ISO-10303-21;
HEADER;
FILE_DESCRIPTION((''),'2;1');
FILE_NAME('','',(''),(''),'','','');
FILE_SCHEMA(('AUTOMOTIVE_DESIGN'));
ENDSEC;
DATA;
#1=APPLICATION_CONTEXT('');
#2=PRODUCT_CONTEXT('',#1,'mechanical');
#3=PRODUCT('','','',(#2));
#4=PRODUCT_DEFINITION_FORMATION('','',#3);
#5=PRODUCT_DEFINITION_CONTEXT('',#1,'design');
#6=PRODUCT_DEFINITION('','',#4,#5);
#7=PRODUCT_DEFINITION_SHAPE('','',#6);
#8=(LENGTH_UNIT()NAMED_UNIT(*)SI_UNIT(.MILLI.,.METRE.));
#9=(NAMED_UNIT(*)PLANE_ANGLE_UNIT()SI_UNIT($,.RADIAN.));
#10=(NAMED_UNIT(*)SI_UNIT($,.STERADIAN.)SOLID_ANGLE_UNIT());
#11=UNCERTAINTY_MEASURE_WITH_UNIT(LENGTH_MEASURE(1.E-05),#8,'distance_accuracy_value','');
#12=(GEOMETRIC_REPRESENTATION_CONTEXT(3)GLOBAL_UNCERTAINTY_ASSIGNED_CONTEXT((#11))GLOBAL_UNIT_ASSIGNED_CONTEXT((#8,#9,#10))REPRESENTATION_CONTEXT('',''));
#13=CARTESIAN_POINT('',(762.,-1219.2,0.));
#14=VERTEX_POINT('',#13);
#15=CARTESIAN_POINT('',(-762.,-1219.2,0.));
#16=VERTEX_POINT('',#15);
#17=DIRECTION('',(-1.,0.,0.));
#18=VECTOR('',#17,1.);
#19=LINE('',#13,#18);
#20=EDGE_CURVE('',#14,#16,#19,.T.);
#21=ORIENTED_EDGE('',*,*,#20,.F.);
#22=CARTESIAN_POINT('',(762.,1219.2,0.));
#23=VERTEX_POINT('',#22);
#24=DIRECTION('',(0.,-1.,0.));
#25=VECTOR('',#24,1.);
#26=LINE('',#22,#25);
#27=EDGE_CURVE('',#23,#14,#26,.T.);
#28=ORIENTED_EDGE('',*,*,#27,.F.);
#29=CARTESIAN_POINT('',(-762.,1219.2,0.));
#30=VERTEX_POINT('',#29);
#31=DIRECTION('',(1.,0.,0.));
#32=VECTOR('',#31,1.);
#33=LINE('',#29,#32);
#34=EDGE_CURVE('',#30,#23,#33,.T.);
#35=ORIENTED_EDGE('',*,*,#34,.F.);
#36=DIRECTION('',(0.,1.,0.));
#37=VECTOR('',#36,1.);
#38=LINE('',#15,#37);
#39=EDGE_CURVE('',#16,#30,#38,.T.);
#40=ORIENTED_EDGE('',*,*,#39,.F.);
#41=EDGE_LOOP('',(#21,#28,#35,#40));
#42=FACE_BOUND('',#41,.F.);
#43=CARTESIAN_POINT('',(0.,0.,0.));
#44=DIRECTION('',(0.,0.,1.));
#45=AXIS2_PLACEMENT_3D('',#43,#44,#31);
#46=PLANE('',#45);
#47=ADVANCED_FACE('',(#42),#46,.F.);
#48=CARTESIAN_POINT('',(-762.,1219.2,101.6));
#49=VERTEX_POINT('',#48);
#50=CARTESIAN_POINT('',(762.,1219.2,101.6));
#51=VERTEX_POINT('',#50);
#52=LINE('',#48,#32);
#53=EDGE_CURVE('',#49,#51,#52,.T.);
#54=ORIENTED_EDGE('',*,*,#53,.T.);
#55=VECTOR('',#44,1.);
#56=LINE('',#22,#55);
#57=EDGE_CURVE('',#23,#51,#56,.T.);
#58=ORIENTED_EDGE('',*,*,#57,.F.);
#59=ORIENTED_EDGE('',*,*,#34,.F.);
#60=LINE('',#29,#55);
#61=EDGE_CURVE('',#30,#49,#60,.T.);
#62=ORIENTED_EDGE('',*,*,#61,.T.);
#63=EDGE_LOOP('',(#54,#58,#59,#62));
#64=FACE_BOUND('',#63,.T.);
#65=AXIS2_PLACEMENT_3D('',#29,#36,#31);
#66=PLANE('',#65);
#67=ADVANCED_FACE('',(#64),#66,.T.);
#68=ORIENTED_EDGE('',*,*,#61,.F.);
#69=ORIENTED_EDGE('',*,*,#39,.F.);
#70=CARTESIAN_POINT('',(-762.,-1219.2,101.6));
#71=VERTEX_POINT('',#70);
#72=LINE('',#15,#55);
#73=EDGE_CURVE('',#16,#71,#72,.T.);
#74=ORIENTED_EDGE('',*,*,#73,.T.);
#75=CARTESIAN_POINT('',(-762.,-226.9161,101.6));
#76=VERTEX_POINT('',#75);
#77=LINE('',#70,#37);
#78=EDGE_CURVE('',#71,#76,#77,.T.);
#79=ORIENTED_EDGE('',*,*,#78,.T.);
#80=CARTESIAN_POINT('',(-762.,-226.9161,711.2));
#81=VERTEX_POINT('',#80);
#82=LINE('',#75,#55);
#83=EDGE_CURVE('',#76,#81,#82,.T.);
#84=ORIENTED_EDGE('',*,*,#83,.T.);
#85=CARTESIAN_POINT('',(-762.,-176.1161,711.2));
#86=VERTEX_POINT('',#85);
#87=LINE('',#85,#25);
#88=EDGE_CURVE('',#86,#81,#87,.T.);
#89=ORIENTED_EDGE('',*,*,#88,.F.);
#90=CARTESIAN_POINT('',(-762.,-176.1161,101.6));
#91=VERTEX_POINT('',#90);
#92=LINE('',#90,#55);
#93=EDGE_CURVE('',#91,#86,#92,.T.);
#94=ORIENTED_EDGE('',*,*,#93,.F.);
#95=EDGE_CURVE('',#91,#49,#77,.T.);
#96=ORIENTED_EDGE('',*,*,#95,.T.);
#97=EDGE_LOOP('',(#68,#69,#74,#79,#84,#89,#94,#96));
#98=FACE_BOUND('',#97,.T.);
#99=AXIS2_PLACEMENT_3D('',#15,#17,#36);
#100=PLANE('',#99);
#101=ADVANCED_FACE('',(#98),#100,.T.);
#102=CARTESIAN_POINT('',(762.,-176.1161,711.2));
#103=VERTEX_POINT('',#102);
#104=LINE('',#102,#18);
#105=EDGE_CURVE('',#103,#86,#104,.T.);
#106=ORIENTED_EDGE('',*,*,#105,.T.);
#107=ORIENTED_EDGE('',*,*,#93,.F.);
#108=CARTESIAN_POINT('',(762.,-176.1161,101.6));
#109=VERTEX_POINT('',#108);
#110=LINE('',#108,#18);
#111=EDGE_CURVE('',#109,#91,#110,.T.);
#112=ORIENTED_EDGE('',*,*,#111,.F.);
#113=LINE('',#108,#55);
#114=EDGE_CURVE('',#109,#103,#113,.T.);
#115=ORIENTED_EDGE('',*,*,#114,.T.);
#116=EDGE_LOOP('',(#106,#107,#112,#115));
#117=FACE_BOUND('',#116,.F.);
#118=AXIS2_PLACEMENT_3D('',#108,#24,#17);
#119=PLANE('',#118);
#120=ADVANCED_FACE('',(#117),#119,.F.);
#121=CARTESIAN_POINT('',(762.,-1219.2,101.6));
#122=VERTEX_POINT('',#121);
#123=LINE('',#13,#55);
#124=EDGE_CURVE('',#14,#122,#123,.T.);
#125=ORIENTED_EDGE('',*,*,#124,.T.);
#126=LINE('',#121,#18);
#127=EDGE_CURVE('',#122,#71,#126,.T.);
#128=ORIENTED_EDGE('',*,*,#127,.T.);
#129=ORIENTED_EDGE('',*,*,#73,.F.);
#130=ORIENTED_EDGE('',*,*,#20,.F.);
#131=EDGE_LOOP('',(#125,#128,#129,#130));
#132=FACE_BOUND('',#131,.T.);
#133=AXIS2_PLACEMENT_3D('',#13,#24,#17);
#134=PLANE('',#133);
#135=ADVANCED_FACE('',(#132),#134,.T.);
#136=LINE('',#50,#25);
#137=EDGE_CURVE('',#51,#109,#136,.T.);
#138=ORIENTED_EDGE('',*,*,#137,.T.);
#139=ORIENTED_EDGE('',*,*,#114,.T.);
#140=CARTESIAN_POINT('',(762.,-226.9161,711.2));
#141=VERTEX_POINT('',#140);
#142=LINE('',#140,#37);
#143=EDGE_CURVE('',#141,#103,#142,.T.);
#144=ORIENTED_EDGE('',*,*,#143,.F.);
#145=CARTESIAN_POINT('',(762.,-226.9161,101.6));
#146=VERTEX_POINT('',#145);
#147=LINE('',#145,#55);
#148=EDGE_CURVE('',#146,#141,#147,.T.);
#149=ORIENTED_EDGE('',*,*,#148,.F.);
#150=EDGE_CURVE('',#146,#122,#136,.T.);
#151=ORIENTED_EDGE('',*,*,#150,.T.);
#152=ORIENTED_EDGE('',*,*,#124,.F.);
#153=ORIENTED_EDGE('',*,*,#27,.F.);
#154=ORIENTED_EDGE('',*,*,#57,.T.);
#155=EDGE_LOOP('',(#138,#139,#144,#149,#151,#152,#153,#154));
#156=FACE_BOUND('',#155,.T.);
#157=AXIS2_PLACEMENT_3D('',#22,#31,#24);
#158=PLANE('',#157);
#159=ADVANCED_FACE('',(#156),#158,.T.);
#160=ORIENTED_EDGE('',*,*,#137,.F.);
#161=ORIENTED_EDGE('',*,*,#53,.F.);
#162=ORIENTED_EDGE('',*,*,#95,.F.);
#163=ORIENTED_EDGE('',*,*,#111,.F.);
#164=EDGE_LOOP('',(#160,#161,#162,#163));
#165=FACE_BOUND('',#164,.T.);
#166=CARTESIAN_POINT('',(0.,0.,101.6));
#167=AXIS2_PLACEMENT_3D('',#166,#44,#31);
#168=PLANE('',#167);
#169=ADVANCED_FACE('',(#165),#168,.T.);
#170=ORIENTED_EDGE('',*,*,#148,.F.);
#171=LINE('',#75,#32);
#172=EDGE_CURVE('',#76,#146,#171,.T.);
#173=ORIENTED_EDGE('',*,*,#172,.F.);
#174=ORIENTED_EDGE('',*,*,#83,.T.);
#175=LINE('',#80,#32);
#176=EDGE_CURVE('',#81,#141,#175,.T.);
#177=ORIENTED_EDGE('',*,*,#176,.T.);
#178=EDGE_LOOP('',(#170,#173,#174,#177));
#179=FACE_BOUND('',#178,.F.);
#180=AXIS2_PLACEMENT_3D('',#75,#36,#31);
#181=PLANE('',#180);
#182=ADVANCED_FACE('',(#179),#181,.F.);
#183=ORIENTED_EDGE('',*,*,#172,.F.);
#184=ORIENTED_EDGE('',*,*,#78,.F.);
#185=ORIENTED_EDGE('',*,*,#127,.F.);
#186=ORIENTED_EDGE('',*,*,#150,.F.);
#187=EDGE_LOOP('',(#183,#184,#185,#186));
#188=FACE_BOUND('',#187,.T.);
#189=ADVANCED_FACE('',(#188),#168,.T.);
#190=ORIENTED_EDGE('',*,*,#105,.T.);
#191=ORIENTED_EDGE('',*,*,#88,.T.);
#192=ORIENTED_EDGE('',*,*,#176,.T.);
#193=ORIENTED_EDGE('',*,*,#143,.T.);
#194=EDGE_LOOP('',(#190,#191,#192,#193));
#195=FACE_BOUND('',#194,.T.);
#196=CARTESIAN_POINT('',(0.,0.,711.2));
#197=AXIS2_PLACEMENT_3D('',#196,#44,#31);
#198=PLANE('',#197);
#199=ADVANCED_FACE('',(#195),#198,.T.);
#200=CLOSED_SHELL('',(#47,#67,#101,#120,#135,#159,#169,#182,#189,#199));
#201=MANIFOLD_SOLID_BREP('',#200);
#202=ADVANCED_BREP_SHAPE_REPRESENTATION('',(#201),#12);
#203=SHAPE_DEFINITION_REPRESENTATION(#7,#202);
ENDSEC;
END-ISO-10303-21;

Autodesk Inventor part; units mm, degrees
ref_plane "YZ Plane" through (0, 0, 0) normal (1, 0, 0) x (0, 1, 0)
ref_plane "XZ Plane" through (0, 0, 0) normal (0, 1, 0) x (-1, 0, 0)
ref_plane "XY Plane" through (0, 0, 0) normal (0, 0, 1) x (1, 0, 0)
sketch "Sketch1" plane through (0, 0, 0) normal (0, 0, 1) x (1, 0, 0)
  line L0 (762, -1219.2) -> (-762, -1219.2)
  line L1 (-762, -1219.2) -> (-762, 1219.2)
  line L2 (-762, 1219.2) -> (762, 1219.2)
  line L3 (762, 1219.2) -> (762, -1219.2)
  line L4 (762, -1219.2) -> (-762, 1219.2) construction
  line L5 (-762, -1219.2) -> (762, 1219.2) construction
  point P0 (0, 0)
  dimension "d0" = 1524
  dimension "d5" = 2438.4
extrude "Extrusion1" add sketch "Sketch1" along normal blind 101.6
sketch "Sketch2" plane through (0, 0, 101.6) normal (0, 0, 1) x (1, 0, 0)
  line L0 (-762, -226.9161) -> (762, -226.9161)
  line L1 (762, -226.9161) -> (762, -176.1161)
  line L2 (762, -176.1161) -> (-762, -176.1161)
  line L3 (-762, -176.1161) -> (-762, -226.9161)
  line L4 (-762, 1219.2) -> (-762, -1219.2) projected
  point P0 (0, 0)
  dimension "d6" = 50.8
  dimension "d7" = 1524
  dimension "d8" = 0
extrude "Extrusion2" add sketch "Sketch2" along normal blind 609.6
properties part number "Wall_desk"
